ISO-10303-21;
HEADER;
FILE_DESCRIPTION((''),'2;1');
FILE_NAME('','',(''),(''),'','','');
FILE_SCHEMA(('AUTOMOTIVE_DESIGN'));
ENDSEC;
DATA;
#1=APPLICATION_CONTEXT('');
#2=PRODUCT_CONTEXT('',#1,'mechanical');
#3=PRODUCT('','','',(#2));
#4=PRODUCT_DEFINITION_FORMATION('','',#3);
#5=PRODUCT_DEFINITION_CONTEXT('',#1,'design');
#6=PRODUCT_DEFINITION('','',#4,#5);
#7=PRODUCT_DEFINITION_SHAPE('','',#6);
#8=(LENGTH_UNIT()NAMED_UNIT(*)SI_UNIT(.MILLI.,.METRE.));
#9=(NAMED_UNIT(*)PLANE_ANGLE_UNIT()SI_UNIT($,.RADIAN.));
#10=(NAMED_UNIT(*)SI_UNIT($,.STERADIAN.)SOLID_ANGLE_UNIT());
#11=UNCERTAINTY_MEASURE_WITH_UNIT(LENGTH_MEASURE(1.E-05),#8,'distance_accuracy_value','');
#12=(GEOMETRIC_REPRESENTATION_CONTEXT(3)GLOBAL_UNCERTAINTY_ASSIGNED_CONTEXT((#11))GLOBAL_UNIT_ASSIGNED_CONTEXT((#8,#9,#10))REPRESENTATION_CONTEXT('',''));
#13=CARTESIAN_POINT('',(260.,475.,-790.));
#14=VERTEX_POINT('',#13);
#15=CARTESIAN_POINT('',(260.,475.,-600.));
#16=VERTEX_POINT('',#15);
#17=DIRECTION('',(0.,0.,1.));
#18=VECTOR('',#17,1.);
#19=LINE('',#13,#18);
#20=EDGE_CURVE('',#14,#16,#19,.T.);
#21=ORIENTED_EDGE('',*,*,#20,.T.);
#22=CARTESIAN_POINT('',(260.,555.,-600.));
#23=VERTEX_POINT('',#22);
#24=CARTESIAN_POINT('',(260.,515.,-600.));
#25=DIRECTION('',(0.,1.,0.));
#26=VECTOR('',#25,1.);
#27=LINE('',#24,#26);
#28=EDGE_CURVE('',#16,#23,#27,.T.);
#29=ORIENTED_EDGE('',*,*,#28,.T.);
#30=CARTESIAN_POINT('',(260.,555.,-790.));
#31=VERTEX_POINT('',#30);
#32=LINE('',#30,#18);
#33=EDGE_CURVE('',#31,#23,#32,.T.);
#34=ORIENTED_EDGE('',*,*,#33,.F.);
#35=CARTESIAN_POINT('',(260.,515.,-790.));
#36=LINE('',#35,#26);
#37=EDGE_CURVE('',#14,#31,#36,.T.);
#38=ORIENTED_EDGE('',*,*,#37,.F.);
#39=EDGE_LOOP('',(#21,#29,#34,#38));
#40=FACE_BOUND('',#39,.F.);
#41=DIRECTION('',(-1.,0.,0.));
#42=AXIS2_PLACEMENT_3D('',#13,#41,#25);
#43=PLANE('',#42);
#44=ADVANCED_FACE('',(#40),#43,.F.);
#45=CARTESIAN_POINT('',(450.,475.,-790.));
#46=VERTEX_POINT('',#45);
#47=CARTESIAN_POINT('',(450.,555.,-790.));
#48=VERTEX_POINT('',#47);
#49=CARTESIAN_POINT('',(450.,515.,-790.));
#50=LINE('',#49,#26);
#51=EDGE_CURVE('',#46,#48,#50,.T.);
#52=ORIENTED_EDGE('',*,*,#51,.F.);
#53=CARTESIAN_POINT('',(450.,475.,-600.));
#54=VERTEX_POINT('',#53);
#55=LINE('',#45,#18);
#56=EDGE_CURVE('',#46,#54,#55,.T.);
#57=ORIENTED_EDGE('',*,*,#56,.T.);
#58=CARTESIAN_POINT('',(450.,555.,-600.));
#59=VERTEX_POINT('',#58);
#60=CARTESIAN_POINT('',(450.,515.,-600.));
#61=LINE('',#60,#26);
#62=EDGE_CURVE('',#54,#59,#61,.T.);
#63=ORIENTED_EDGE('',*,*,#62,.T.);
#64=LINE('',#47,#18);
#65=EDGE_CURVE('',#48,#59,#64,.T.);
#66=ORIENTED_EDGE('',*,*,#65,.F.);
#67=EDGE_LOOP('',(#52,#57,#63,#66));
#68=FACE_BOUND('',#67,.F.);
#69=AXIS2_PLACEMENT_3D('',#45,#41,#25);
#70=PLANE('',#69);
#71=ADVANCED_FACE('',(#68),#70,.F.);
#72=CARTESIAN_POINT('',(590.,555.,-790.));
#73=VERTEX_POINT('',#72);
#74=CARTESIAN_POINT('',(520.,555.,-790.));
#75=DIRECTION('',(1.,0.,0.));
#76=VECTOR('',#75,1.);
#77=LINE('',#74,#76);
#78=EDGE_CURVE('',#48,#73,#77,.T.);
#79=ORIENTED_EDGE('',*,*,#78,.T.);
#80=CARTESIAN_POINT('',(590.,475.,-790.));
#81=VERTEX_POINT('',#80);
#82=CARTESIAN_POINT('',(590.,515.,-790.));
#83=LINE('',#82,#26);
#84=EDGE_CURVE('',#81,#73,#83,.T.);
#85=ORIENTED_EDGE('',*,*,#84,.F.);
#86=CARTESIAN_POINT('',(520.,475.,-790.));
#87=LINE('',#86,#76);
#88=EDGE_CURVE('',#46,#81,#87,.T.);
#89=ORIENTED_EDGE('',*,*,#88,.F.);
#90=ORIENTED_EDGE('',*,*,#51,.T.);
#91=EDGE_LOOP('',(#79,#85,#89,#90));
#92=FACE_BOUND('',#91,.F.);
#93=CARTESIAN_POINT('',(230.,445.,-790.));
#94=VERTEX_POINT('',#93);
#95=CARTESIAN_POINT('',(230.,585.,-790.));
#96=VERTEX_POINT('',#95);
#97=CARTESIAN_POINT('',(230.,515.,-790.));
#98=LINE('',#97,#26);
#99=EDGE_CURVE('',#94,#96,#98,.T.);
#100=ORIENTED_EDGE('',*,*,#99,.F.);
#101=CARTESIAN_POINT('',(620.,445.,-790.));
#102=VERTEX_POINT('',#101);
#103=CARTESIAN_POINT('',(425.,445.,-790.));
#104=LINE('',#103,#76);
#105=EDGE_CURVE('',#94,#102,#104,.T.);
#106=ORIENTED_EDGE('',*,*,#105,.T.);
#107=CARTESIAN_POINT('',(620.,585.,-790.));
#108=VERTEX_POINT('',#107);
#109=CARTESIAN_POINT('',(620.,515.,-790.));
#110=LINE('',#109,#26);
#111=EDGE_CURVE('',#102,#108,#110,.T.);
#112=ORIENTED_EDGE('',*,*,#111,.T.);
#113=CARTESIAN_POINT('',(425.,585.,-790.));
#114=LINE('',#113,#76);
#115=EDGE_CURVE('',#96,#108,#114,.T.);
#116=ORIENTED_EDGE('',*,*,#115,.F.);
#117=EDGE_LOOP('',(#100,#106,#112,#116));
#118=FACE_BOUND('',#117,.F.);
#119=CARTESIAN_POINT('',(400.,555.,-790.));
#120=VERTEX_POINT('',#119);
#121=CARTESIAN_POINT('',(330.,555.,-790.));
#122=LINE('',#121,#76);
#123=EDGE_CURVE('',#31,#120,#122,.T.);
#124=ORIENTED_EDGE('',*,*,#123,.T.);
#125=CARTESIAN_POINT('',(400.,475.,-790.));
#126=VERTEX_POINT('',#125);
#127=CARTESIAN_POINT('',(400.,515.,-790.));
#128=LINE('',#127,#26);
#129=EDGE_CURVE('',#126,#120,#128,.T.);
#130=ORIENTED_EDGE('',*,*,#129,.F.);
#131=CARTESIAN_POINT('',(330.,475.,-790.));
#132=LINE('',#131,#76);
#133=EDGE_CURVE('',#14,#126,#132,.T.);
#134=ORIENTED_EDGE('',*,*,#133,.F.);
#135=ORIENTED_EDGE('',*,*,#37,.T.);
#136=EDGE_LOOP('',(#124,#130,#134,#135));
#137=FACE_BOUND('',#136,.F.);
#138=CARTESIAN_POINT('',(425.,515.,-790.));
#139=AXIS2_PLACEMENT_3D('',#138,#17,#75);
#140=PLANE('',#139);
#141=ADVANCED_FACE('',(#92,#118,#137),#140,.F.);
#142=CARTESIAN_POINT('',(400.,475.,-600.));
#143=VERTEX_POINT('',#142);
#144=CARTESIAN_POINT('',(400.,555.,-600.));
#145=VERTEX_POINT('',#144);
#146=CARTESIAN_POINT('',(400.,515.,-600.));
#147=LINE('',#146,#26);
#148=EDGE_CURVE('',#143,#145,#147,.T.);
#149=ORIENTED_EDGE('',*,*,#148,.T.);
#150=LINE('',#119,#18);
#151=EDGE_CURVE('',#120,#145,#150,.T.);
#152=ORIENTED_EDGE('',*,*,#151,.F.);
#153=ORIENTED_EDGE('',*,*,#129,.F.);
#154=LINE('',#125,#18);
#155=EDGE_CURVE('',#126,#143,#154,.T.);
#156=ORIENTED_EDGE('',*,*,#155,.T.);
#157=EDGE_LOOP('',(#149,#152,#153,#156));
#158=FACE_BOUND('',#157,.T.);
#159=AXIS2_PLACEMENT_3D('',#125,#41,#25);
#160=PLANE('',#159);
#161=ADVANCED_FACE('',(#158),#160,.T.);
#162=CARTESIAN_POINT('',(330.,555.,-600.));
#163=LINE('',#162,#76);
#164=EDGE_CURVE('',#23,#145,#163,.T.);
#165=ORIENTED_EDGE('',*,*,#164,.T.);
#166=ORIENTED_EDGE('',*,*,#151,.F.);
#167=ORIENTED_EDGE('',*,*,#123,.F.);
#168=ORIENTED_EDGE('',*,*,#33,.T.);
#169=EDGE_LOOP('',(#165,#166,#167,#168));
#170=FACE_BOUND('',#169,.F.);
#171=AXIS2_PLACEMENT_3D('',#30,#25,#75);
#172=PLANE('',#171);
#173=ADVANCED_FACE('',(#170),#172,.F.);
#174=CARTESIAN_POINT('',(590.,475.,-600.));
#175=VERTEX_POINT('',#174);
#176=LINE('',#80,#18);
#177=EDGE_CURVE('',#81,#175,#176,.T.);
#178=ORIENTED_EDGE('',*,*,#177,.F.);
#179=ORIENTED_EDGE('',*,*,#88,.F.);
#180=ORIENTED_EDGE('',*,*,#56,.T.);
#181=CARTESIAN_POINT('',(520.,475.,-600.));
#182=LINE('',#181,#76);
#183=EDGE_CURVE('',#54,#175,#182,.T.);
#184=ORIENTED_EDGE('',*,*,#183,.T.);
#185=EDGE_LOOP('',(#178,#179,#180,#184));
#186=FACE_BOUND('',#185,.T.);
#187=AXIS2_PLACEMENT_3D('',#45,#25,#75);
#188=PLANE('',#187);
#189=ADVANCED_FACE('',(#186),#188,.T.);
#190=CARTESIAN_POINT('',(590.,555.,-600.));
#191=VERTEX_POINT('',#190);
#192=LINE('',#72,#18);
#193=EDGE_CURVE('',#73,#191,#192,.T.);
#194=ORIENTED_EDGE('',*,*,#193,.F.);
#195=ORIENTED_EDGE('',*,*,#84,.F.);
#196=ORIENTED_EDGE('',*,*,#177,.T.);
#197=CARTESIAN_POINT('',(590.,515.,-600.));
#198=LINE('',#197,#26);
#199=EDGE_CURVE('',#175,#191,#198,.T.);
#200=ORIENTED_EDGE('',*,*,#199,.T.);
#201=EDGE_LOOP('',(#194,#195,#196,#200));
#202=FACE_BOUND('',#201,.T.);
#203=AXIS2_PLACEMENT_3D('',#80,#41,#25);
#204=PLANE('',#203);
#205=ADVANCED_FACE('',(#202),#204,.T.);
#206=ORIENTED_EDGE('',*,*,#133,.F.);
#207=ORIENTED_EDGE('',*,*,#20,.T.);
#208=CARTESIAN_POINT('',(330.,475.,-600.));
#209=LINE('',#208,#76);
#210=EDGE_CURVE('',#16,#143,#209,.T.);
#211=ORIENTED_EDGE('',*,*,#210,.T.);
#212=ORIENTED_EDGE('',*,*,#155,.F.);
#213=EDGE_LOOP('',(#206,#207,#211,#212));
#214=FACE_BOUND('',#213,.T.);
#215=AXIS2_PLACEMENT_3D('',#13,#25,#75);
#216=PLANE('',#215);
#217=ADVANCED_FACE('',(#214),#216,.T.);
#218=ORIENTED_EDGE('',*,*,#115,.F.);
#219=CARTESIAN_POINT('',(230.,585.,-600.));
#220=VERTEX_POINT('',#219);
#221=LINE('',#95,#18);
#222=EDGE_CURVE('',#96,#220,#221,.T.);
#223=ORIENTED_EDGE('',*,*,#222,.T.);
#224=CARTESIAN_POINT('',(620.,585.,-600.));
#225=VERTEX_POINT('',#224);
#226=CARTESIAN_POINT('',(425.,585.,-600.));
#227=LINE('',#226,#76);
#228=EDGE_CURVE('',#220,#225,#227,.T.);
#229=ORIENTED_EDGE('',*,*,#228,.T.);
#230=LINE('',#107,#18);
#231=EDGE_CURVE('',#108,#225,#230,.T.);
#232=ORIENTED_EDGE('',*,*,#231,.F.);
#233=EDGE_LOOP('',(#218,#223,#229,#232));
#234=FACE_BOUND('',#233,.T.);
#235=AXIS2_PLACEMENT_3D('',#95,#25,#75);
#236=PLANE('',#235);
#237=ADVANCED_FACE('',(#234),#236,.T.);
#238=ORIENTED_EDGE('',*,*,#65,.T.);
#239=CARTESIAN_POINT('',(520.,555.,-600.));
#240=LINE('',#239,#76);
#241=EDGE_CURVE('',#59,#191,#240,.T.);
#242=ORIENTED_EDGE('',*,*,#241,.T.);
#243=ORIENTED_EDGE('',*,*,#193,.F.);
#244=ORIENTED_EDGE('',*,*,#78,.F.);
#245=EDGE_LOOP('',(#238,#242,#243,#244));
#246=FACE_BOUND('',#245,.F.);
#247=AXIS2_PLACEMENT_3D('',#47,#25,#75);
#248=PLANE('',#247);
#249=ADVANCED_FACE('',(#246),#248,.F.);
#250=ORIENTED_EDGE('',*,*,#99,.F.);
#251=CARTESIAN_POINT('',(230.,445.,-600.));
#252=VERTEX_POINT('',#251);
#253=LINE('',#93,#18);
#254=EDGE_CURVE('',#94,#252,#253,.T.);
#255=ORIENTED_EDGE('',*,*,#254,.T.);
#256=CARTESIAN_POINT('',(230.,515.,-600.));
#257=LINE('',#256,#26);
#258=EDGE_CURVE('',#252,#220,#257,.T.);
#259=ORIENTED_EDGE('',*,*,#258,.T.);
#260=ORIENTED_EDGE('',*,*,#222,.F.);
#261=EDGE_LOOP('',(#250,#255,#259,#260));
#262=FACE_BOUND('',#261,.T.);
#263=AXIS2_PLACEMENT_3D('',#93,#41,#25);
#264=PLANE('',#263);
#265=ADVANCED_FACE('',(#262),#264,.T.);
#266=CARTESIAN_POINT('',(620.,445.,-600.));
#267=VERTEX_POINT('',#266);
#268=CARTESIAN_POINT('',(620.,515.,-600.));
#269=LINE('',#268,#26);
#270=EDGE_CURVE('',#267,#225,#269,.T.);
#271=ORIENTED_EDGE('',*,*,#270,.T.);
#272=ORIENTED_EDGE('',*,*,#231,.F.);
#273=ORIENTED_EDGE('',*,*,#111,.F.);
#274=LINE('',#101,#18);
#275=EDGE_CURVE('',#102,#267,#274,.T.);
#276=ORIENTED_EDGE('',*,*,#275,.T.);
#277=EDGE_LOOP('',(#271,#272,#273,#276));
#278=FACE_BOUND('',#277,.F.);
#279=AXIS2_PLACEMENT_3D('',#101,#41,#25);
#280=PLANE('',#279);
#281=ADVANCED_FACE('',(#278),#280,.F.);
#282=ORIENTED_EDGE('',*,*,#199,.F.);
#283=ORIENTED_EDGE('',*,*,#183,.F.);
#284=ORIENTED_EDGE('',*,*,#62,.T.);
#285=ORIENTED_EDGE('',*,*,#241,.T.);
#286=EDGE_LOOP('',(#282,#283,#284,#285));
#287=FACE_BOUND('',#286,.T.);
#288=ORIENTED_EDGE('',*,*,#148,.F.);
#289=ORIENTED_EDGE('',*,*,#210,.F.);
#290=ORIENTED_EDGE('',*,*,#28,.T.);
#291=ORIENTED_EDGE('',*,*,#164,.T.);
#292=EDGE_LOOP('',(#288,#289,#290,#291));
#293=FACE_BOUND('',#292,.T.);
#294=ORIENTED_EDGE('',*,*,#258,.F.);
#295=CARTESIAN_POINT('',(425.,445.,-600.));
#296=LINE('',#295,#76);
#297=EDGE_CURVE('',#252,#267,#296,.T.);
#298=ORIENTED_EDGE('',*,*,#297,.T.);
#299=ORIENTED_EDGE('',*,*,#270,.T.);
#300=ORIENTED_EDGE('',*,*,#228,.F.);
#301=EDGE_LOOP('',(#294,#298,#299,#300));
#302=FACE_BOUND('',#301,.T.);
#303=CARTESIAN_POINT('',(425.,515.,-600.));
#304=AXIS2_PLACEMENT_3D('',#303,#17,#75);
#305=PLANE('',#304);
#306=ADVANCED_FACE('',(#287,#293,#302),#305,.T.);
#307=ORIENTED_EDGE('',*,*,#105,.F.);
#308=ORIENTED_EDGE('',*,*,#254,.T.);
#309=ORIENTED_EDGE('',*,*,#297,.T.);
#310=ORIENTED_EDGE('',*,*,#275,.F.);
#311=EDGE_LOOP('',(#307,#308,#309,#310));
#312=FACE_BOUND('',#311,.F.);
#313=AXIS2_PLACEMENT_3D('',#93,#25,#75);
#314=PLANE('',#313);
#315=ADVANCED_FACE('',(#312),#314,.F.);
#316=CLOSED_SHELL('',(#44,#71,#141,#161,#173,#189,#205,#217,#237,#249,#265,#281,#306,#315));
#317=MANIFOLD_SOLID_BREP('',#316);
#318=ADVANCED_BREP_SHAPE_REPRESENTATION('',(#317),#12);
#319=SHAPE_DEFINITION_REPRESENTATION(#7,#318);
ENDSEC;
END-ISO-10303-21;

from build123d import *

# Parameters (mm, degrees)
BOX020_W     = 140
BOX020_H     = 80
BOX020_DEPTH = 190
BOX021_W     = 140
BOX021_H     = 80
BOX021_DEPTH = 190
BOX022_W     = 390
BOX022_H     = 140
BOX022_DEPTH = 190


with BuildPart() as cube010:
    # Box020 → Box020 (new body)
    with BuildSketch(Plane(origin=(220, 30, 0), x_dir=(1, 0, 0), z_dir=(0, 0, 1))):
        with Locations((70, 40)):
            Rectangle(BOX020_W, BOX020_H)
    extrude(amount=BOX020_DEPTH)


with BuildPart() as fusion006:
    # Box021 → Box021 (new body)
    with BuildSketch(Plane(origin=(30, 30, 0), x_dir=(1, 0, 0), z_dir=(0, 0, 1))):
        with Locations((70, 40)):
            Rectangle(BOX021_W, BOX021_H)
    extrude(amount=BOX021_DEPTH)

    # Fusion006: union Cube010
    add(cube010.part)


with BuildPart() as cut003:
    # Box022 → Box022 (new body)
    with BuildSketch(Plane.XY):
        with Locations((195, 70)):
            Rectangle(BOX022_W, BOX022_H)
    extrude(amount=BOX022_DEPTH)

    # Cut003: cut Fusion006
    add(fusion006.part, mode=Mode.SUBTRACT)


with BuildPart() as cut003_1:
    # Cut003 placement: moved
    add(cut003.part.moved(Location((230, 445, -790))))


solid = cut003_1.part
